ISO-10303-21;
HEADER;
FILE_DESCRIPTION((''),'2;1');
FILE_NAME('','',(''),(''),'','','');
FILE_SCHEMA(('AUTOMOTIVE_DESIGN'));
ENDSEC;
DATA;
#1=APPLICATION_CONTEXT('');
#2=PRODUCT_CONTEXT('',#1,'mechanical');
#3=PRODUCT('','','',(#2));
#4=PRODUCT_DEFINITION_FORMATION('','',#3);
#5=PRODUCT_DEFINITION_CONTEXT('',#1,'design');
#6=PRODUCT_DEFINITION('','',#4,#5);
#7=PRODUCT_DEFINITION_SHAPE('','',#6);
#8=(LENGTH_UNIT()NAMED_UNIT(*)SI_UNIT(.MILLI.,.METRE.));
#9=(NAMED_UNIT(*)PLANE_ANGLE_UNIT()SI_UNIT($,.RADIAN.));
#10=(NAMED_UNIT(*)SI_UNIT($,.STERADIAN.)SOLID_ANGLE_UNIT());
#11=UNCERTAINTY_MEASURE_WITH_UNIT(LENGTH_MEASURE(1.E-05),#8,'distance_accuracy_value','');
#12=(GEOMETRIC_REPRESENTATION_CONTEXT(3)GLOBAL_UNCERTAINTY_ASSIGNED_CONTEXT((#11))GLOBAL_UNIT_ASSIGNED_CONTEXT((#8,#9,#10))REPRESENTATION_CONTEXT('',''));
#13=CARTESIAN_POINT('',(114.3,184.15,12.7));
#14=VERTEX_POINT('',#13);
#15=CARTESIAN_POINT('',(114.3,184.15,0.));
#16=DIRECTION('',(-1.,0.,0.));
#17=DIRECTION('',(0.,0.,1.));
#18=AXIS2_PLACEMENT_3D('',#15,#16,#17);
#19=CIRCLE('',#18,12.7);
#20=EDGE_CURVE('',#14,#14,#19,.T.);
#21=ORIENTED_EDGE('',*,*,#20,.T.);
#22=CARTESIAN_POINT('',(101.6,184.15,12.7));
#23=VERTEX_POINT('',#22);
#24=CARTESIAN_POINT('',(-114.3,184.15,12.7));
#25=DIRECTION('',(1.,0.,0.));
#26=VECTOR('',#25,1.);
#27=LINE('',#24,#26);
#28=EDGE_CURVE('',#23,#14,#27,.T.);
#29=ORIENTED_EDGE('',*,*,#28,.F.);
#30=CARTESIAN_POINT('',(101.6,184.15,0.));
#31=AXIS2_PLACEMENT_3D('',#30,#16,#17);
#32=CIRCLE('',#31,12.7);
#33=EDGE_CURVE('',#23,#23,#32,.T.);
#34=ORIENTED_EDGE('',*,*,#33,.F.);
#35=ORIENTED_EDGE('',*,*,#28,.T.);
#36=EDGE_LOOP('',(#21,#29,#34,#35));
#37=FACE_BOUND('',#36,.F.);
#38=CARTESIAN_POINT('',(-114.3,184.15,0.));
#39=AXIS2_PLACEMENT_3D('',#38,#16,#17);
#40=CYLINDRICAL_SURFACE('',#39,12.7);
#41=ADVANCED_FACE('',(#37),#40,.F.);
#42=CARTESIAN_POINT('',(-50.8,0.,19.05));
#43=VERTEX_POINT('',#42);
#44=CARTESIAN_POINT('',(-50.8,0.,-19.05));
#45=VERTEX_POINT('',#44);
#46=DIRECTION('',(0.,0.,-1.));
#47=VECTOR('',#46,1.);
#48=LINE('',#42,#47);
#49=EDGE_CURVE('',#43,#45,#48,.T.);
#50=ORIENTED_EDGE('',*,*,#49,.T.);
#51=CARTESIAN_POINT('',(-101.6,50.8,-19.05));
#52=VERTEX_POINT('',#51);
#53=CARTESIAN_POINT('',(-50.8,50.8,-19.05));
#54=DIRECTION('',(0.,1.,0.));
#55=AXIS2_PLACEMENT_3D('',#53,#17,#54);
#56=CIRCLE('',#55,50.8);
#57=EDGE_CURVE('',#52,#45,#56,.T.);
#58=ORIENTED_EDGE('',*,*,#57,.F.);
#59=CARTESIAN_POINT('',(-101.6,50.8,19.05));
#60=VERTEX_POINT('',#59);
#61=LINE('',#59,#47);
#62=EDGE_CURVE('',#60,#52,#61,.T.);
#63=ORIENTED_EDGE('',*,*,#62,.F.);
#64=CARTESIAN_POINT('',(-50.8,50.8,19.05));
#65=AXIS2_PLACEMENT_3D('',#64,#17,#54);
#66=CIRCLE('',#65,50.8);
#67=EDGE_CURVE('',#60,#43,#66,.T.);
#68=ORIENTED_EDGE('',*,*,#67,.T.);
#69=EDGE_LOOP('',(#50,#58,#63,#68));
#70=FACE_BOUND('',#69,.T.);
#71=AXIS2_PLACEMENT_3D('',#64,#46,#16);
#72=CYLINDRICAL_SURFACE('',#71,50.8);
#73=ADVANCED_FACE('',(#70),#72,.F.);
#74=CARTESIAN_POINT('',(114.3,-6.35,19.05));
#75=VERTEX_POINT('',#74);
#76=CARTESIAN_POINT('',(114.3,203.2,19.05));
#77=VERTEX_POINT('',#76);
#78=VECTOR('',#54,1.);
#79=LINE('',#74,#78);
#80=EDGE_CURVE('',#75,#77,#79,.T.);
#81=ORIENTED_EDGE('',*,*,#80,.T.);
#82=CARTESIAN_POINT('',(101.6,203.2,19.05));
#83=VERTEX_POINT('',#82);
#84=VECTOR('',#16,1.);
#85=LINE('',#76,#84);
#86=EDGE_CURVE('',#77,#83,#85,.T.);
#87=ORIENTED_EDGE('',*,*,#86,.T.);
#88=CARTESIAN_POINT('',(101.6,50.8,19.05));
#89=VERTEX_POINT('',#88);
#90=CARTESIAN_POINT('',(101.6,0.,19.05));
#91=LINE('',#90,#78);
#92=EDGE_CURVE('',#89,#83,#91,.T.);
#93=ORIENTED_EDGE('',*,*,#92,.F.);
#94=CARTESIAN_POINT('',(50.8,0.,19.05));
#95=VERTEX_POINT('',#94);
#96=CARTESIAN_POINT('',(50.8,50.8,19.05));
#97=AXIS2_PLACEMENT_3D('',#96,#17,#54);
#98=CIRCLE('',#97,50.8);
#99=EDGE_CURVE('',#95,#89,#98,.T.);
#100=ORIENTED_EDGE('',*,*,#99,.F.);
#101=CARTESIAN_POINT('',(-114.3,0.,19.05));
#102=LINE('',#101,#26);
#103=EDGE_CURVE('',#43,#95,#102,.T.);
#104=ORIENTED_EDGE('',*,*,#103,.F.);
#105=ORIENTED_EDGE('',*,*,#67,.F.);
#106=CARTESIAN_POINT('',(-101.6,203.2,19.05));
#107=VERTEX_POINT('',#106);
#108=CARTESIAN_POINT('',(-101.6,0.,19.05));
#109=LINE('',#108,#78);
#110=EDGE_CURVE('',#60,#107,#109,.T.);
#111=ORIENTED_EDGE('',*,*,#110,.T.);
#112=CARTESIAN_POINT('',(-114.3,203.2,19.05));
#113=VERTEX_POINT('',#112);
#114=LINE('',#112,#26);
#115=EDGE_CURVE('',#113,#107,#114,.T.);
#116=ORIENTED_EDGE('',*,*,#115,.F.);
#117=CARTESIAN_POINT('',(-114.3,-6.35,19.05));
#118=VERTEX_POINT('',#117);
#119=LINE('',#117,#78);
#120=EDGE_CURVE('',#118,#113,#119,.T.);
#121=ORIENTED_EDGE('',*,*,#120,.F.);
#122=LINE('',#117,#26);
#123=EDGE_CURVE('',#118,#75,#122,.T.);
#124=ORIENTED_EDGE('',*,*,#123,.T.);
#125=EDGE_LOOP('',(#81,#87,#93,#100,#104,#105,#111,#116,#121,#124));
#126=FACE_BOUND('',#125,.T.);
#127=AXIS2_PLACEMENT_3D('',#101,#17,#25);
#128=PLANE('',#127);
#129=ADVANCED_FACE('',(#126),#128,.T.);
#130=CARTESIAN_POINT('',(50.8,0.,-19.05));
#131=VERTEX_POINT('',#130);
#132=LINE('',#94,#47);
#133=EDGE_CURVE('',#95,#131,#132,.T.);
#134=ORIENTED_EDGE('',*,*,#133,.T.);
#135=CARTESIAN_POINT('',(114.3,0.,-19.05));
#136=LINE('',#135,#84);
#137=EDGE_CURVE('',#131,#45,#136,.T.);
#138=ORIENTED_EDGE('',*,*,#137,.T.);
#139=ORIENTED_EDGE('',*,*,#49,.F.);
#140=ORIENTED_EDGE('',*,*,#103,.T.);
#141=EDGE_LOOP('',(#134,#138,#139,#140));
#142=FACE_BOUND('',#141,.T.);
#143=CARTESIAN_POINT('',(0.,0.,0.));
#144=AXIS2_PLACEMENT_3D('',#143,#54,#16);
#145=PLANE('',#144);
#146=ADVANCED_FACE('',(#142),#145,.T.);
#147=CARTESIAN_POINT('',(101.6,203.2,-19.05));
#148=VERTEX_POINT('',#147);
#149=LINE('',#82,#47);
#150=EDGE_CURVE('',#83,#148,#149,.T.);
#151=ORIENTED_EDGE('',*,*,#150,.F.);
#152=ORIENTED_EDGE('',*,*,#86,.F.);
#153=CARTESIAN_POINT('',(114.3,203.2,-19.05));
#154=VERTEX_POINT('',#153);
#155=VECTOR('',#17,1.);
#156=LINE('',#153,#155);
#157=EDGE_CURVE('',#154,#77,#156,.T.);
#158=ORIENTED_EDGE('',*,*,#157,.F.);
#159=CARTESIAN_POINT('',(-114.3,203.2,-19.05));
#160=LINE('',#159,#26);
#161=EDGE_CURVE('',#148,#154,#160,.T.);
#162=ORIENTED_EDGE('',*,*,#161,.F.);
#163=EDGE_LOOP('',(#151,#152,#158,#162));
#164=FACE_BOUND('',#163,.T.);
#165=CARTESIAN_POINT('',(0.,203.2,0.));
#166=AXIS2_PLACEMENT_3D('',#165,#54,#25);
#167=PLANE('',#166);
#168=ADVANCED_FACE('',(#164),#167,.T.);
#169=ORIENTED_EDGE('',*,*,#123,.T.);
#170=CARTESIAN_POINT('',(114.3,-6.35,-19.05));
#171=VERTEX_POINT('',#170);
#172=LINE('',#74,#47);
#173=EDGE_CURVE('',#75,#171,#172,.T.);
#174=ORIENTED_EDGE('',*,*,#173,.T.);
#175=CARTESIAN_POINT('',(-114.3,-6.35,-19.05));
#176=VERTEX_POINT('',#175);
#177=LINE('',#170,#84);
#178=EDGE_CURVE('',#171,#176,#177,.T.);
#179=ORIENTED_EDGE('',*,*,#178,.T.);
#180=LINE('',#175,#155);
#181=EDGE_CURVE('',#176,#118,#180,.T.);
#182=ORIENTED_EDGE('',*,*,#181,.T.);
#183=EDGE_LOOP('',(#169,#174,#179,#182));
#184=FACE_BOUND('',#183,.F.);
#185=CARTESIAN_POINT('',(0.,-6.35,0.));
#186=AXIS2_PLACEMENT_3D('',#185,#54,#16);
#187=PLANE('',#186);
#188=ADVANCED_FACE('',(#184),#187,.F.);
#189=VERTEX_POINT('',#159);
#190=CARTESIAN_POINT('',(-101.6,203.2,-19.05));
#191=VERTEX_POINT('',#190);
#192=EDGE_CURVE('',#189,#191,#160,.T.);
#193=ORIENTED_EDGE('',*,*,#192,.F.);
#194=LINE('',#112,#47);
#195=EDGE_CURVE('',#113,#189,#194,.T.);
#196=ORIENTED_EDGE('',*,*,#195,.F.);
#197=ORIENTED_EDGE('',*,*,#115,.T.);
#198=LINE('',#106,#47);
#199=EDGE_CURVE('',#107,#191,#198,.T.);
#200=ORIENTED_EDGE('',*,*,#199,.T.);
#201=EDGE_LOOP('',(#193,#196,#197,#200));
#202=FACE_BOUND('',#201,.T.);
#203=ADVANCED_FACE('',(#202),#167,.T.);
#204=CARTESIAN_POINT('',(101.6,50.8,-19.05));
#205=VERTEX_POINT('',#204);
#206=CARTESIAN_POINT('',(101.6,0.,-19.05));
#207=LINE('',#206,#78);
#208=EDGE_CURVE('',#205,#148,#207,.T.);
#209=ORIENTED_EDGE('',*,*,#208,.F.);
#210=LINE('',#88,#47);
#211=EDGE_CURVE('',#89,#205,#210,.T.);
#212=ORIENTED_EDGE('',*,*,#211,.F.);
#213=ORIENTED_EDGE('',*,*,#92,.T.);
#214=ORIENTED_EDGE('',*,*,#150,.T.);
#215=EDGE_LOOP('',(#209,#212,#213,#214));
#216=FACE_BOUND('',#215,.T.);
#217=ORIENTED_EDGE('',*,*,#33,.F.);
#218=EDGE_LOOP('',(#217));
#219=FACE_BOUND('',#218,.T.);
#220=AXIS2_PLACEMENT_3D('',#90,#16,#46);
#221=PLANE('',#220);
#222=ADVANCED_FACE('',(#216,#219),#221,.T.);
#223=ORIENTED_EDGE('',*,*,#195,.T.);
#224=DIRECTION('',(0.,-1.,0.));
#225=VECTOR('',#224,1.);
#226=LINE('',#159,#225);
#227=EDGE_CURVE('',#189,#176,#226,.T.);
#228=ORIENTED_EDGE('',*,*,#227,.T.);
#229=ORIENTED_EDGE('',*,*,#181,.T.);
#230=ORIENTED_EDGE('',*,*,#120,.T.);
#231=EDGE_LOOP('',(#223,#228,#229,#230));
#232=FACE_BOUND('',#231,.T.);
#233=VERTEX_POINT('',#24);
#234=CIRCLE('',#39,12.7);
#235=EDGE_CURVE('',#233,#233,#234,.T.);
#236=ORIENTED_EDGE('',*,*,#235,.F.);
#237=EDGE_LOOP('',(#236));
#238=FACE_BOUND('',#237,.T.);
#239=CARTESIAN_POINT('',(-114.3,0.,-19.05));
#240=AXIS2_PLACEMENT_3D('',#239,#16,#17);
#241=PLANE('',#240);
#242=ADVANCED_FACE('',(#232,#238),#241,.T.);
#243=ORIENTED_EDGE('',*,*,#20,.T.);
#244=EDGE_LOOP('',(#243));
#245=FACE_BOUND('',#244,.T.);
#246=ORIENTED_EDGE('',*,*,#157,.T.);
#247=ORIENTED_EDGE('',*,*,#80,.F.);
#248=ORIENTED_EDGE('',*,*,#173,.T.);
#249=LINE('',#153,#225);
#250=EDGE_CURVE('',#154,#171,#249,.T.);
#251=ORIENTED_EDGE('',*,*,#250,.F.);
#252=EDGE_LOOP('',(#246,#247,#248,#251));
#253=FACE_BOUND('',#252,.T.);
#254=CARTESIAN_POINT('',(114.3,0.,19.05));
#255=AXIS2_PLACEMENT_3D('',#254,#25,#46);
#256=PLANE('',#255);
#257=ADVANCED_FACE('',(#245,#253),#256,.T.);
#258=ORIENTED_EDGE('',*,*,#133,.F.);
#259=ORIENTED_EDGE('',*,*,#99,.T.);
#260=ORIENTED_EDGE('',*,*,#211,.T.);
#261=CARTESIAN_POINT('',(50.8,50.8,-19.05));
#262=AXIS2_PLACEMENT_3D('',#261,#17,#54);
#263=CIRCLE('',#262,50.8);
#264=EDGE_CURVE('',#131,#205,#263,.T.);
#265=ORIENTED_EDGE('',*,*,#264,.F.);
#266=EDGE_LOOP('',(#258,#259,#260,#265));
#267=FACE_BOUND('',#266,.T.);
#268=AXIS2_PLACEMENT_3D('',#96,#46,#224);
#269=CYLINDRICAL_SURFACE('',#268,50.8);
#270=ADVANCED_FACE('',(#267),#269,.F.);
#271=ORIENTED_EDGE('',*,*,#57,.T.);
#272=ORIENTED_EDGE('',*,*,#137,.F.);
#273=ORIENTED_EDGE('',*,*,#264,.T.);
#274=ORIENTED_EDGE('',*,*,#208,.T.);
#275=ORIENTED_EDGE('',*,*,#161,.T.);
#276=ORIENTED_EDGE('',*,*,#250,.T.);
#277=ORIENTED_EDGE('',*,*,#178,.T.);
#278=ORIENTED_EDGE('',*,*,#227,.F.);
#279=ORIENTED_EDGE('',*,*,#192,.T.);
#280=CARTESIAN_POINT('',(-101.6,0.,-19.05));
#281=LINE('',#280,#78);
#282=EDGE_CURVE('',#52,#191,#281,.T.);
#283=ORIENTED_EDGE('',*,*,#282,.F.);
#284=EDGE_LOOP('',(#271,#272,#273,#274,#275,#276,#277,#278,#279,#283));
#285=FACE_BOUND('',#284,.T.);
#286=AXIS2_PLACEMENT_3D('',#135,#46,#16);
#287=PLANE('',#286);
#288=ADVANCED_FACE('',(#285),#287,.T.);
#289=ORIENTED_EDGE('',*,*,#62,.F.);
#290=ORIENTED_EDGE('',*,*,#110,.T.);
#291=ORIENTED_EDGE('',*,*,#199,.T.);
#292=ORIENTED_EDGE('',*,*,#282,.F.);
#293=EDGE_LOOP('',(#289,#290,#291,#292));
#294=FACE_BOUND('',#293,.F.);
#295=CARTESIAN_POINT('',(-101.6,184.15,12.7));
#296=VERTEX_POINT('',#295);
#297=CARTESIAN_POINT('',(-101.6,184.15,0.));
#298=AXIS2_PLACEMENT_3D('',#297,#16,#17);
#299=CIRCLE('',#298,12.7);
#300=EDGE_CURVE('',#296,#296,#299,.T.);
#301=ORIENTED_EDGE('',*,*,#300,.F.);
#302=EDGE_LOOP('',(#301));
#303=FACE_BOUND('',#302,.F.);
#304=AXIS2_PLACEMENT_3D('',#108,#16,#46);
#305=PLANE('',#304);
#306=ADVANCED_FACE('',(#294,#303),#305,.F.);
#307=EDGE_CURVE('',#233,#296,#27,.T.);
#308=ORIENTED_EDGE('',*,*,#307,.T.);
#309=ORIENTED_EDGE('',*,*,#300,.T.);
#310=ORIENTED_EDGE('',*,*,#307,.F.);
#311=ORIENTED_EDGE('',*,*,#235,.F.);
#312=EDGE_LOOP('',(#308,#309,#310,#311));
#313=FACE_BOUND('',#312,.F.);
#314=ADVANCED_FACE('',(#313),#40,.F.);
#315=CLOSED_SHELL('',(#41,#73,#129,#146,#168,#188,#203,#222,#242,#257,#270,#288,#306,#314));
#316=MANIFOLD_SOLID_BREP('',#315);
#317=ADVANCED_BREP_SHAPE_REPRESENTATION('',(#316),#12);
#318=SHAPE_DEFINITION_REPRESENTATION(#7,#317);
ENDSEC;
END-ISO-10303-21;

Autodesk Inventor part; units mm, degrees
ref_plane "YZ Plane" through (0, 0, 0) normal (1, 0, 0) x (0, 1, 0)
ref_plane "XZ Plane" through (0, 0, 0) normal (0, 1, 0) x (-1, 0, 0)
ref_plane "XY Plane" through (0, 0, 0) normal (0, 0, 1) x (1, 0, 0)
sketch "Sketch1" plane through (0, 0, 0) normal (0, 1, 0) x (-1, 0, 0)
  line L0 (114.3, 19.05) -> (-114.3, 19.05)
  line L1 (-114.3, 19.05) -> (-114.3, -19.05)
  line L2 (-114.3, -19.05) -> (114.3, -19.05)
  line L3 (114.3, -19.05) -> (114.3, 19.05)
  line L4 (114.3, 19.05) -> (-114.3, -19.05) construction
  line L5 (-114.3, 19.05) -> (114.3, -19.05) construction
  point P0 (0, 0)
  dimension "d0" = 228.6
  dimension "d1" = 38.1
extrude "Extrusion1" add sketch "Sketch1" against normal blind 6.35
sketch "Sketch2" plane through (0, 0, 0) normal (0, 1, 0) x (1, 0, 0)
  line L0 (-114.3, -19.05) -> (-114.3, 19.05) projected
  line L1 (-114.3, 19.05) -> (114.3, 19.05) projected
  line L2 (-114.3, -19.05) -> (-101.6, -19.05)
  line L3 (-101.6, -19.05) -> (-101.6, 19.05)
  line L4 (-101.6, 19.05) -> (-114.3, 19.05)
  line L5 (-114.3, 19.05) -> (-114.3, -19.05)
  line L6 (114.3, 19.05) -> (114.3, -19.05) projected
  line L7 (114.3, -19.05) -> (101.6, -19.05)
  line L8 (101.6, -19.05) -> (101.6, 19.05)
  line L9 (101.6, 19.05) -> (114.3, 19.05)
  line L10 (114.3, 19.05) -> (114.3, -19.05)
  point P0 (0, 0)
  dimension "d4" = 12.7
  dimension "d5" = 12.7
extrude "Extrusion2" add sketch "Sketch2" along normal blind 203.2
sketch "Sketch3" plane through (-114.3, -6.35, -19.05) normal (-1, 0, 0) x (0, 0, 1)
  line L0 (0, 209.55) -> (38.1, 209.55) construction
  line L1 (19.05, 209.55) -> (19.05, 0) construction
  line L2 (38.1, 0) -> (0, 0) construction
  circle A0 centre (19.05, 190.5) radius 12.7
  line L3 (0, 6.35) -> (0, 209.55) construction
  line L4 (0, 203.2) -> (38.1, 203.2) construction
  point P0 (19.05, 6.35)
  dimension "d8" = 25.4
  dimension "d9" = 6.35
extrude "Extrusion3" cut sketch "Sketch3" against normal through all
fillet "Fillet1" radius 50.8 2 edges at (101.6, 0, 0) (-101.6, 0, 0)
properties part number "fork04"
